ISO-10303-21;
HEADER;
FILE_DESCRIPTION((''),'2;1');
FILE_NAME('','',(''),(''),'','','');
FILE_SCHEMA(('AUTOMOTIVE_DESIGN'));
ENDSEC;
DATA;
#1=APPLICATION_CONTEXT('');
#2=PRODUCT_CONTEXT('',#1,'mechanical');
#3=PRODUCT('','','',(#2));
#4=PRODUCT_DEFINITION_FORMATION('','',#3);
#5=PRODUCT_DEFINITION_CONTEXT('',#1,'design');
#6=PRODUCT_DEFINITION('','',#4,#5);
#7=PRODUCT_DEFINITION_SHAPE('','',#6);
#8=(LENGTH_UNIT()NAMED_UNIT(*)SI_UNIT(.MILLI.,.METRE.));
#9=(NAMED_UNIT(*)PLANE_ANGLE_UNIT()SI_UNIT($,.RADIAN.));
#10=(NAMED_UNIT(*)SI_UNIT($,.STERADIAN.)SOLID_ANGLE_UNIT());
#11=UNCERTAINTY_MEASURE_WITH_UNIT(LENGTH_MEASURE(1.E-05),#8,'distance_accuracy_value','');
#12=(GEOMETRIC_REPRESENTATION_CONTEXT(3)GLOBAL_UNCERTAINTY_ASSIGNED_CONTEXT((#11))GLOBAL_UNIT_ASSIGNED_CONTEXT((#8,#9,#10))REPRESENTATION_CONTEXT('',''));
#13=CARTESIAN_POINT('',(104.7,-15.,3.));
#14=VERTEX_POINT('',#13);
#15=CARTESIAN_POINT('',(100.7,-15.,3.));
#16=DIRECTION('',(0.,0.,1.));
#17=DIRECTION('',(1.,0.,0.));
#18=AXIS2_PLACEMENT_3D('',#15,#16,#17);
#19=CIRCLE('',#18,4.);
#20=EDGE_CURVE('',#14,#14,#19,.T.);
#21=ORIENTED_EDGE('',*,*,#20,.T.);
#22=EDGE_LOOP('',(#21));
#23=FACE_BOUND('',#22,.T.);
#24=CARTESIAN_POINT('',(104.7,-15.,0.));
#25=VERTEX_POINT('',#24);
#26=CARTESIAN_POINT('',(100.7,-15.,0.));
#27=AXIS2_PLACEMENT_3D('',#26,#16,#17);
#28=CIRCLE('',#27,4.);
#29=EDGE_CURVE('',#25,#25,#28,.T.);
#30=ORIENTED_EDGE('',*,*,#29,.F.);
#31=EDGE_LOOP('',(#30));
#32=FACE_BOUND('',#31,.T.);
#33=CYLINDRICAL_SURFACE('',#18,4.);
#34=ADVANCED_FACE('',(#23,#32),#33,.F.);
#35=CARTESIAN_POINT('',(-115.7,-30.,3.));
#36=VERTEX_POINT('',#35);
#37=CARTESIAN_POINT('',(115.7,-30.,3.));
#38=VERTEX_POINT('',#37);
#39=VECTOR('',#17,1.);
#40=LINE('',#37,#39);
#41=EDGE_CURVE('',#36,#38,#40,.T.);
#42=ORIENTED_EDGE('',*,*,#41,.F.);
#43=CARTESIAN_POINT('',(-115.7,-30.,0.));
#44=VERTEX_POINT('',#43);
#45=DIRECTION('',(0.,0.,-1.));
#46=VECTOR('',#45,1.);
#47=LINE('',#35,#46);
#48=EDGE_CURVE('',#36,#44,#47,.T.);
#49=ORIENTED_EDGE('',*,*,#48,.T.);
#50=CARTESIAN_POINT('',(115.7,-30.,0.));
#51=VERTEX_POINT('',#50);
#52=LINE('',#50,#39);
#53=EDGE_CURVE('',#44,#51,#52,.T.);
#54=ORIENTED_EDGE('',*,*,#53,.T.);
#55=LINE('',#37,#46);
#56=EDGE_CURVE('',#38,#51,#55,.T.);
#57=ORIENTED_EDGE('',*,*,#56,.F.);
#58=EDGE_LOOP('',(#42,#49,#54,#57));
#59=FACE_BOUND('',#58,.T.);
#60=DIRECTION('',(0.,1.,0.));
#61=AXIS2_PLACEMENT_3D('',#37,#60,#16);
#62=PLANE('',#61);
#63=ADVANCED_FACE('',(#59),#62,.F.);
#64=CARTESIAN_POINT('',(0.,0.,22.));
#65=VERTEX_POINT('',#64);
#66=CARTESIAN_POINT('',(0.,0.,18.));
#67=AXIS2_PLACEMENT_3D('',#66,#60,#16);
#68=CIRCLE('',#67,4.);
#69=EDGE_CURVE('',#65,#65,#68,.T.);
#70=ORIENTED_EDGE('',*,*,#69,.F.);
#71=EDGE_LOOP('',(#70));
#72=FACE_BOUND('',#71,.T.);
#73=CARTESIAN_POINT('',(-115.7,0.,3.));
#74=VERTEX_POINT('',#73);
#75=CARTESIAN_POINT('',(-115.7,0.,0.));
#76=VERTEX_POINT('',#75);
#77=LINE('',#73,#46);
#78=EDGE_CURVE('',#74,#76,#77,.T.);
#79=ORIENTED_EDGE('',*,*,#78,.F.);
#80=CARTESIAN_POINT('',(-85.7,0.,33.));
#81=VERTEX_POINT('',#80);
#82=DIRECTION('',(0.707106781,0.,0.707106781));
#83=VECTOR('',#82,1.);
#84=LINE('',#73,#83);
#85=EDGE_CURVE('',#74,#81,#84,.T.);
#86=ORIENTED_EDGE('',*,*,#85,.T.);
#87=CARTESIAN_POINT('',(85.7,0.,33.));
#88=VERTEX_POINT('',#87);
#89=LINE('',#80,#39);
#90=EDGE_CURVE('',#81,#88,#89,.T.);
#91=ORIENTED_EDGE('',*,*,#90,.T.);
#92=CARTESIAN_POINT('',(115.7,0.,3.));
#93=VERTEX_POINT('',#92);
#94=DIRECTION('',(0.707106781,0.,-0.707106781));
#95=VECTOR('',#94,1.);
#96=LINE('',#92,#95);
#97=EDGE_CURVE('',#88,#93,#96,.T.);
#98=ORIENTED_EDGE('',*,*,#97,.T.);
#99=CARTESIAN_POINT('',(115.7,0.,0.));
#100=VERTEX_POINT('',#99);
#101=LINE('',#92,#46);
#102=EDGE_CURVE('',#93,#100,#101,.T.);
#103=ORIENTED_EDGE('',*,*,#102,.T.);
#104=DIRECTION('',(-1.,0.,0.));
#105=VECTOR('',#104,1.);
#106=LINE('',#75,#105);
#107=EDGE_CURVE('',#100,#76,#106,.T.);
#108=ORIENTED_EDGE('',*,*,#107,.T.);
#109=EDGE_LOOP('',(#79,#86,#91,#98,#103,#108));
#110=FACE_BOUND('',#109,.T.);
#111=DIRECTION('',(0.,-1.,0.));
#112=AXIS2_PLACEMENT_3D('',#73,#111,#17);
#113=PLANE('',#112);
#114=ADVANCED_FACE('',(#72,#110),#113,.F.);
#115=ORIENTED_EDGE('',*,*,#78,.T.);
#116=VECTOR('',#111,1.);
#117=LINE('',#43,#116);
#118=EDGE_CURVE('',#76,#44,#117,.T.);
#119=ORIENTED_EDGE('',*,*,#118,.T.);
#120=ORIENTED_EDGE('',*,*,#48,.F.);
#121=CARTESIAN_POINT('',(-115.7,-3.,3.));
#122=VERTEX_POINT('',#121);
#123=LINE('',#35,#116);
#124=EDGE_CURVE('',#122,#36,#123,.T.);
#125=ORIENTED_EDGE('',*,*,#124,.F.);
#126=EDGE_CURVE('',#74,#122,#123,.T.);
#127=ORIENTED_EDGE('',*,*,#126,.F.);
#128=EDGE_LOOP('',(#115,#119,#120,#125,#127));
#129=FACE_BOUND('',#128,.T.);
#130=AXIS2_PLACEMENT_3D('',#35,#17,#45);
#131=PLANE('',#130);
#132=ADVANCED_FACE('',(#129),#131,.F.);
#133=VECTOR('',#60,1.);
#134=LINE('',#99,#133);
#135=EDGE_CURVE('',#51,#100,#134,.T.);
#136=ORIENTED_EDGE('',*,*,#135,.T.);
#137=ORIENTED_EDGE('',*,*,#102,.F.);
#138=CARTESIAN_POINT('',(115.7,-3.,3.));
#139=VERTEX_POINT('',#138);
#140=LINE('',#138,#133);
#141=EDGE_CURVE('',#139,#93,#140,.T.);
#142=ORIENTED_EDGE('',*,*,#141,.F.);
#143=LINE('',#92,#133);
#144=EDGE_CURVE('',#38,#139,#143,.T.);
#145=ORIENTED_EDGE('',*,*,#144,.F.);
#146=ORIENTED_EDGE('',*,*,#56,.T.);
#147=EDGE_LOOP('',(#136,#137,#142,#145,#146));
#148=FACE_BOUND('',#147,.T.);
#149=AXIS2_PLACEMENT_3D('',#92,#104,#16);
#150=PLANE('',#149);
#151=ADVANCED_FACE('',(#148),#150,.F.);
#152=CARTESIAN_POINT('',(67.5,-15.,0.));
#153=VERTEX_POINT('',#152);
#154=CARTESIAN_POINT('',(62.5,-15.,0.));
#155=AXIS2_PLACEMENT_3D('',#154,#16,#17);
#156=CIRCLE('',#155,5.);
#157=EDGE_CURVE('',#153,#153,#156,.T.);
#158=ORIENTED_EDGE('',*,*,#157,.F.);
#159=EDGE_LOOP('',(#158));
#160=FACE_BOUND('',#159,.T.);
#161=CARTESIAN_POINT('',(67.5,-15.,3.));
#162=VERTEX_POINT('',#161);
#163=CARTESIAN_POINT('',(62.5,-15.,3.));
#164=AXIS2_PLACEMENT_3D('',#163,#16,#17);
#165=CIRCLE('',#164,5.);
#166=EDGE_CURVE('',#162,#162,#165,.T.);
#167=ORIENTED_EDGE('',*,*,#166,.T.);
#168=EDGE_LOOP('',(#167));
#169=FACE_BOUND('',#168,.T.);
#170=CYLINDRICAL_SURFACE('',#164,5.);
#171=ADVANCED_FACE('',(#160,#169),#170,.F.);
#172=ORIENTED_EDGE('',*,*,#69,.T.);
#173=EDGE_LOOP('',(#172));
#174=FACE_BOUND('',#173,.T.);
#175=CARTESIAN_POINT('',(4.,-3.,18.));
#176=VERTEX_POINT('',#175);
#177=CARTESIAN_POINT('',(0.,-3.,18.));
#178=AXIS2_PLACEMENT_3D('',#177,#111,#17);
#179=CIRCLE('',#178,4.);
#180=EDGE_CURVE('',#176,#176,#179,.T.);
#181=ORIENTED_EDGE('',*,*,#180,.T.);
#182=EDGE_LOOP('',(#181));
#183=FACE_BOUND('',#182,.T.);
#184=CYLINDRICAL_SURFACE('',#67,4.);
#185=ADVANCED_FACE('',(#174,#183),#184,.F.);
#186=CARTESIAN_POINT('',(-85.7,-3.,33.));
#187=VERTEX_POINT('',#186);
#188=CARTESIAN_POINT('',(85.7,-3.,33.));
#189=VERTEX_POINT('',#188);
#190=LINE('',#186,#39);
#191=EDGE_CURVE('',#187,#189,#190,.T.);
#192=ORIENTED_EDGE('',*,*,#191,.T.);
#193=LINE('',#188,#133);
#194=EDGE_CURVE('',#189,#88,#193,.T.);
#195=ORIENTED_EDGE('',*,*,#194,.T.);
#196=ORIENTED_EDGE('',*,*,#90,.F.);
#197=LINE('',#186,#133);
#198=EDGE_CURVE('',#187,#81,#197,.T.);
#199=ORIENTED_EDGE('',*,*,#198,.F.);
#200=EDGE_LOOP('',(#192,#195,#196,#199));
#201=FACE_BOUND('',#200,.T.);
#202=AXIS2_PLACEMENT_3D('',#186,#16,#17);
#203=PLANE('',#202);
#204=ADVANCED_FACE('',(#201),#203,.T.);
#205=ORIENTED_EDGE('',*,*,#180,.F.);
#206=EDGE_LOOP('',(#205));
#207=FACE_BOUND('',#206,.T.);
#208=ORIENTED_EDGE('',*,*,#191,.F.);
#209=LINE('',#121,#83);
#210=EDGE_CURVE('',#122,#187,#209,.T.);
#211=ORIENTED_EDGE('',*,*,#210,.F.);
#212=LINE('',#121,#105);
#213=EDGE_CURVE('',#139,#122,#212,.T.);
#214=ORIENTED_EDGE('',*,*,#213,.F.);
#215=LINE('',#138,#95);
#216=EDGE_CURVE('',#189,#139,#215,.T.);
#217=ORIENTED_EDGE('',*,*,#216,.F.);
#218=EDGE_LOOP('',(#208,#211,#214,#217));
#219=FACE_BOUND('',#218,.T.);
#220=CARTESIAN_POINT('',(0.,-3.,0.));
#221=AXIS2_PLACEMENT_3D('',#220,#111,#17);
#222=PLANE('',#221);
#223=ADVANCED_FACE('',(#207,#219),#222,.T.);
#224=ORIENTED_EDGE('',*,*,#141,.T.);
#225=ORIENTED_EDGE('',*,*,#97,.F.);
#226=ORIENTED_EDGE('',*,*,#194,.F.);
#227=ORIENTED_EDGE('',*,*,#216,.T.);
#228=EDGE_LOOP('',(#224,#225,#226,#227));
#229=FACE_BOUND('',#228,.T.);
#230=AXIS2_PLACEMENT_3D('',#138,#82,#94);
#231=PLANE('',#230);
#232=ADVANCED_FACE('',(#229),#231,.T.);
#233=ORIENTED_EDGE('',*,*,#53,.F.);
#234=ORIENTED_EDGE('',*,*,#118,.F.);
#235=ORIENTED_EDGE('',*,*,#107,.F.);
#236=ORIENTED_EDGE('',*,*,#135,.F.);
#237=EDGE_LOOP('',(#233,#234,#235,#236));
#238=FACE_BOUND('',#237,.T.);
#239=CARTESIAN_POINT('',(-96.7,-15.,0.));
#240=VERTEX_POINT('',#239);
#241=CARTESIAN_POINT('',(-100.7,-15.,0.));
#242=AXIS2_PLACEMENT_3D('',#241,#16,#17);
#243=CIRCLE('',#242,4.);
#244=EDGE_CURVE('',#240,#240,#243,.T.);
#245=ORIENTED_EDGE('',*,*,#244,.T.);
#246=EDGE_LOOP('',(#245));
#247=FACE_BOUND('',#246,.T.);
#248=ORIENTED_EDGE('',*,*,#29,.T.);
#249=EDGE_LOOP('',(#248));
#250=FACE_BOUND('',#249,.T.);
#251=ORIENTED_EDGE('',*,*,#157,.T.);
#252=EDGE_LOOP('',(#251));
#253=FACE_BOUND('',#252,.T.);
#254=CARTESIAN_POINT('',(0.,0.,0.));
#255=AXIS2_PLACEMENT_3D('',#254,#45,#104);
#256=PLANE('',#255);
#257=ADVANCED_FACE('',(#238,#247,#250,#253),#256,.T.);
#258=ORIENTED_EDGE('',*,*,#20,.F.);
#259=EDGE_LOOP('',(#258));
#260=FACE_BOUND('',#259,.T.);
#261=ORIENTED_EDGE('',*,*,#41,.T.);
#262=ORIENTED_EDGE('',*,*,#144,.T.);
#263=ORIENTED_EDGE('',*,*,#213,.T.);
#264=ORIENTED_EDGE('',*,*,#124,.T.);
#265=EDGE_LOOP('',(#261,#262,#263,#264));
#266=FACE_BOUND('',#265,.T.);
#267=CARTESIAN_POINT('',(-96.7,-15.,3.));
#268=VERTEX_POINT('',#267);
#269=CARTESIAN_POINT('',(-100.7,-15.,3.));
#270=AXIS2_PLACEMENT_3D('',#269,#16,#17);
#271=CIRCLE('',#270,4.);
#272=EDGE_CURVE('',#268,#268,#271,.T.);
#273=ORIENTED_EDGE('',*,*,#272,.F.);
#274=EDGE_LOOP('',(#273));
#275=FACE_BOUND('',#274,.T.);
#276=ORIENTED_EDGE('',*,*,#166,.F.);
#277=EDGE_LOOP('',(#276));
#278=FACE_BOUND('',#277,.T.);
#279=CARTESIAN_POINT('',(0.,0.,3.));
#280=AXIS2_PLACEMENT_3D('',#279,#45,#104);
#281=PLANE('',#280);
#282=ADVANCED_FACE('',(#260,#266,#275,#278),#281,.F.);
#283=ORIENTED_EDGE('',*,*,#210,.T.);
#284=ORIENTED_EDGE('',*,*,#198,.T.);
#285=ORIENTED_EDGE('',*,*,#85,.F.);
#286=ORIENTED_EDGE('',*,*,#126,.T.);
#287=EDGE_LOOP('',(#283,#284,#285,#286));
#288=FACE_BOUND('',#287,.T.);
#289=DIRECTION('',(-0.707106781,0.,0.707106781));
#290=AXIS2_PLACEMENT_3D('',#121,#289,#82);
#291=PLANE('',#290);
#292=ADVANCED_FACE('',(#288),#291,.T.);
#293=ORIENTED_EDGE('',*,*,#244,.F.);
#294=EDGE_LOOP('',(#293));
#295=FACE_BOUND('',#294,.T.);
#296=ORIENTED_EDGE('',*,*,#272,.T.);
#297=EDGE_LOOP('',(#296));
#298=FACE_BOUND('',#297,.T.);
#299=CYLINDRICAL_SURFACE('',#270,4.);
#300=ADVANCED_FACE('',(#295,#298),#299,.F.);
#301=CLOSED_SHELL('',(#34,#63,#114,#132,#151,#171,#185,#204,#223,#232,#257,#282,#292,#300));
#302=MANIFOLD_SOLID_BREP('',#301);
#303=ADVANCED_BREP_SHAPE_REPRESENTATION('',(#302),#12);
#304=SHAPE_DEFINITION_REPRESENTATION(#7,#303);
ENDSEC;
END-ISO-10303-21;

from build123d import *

# Parameters (mm, degrees)
SKETCH1_W                  = 231.4
SKETCH1_H                  = 30
BOSS_EXTRUDE1_DEPTH        = 3
BOSS_EXTRUDE2_DEPTH        = 3
F_8_0_8_DIAMETER_HOLE1_D   = 8
F_8_0_8_DIAMETER_HOLE2_D   = 8
F_10_0_10_DIAMETER_HOLE1_D = 10


with BuildPart() as part:
    # Sketch1 → Boss-Extrude1 (new body)
    with BuildSketch(Plane.XY):
        with Locations((0, -15)):
            Rectangle(SKETCH1_W, SKETCH1_H)
    extrude(amount=BOSS_EXTRUDE1_DEPTH)

    # Sketch2 → Boss-Extrude2 (add)
    with BuildSketch(Plane(origin=(0, 0, 0), x_dir=(1, 0, 0), z_dir=(0, 1, 0))):
        Polygon((-115.7, -3), (115.7, -3), (85.7, -33), (-85.7, -33), align=None)
    extrude(amount=-BOSS_EXTRUDE2_DEPTH)

    # Ø8.0 (8) Diameter Hole1 (through all)
    with Locations(Plane.XY.offset(3)):
        with Locations((-100.7, -15), (100.7, -15)):
            Hole(F_8_0_8_DIAMETER_HOLE1_D / 2)

    # Ø8.0 (8) Diameter Hole2 (through all)
    with Locations(Plane(origin=(0, 0, 0), x_dir=(1, 0, 0), z_dir=(0, 1, 0))):
        with Locations((0, -18)):
            Hole(F_8_0_8_DIAMETER_HOLE2_D / 2)

    # Ø10.0 (10) Diameter Hole1 (through all)
    with Locations(Plane.XY.offset(3)):
        with Locations((62.5, -15)):
            Hole(F_10_0_10_DIAMETER_HOLE1_D / 2)


solid = part.part
